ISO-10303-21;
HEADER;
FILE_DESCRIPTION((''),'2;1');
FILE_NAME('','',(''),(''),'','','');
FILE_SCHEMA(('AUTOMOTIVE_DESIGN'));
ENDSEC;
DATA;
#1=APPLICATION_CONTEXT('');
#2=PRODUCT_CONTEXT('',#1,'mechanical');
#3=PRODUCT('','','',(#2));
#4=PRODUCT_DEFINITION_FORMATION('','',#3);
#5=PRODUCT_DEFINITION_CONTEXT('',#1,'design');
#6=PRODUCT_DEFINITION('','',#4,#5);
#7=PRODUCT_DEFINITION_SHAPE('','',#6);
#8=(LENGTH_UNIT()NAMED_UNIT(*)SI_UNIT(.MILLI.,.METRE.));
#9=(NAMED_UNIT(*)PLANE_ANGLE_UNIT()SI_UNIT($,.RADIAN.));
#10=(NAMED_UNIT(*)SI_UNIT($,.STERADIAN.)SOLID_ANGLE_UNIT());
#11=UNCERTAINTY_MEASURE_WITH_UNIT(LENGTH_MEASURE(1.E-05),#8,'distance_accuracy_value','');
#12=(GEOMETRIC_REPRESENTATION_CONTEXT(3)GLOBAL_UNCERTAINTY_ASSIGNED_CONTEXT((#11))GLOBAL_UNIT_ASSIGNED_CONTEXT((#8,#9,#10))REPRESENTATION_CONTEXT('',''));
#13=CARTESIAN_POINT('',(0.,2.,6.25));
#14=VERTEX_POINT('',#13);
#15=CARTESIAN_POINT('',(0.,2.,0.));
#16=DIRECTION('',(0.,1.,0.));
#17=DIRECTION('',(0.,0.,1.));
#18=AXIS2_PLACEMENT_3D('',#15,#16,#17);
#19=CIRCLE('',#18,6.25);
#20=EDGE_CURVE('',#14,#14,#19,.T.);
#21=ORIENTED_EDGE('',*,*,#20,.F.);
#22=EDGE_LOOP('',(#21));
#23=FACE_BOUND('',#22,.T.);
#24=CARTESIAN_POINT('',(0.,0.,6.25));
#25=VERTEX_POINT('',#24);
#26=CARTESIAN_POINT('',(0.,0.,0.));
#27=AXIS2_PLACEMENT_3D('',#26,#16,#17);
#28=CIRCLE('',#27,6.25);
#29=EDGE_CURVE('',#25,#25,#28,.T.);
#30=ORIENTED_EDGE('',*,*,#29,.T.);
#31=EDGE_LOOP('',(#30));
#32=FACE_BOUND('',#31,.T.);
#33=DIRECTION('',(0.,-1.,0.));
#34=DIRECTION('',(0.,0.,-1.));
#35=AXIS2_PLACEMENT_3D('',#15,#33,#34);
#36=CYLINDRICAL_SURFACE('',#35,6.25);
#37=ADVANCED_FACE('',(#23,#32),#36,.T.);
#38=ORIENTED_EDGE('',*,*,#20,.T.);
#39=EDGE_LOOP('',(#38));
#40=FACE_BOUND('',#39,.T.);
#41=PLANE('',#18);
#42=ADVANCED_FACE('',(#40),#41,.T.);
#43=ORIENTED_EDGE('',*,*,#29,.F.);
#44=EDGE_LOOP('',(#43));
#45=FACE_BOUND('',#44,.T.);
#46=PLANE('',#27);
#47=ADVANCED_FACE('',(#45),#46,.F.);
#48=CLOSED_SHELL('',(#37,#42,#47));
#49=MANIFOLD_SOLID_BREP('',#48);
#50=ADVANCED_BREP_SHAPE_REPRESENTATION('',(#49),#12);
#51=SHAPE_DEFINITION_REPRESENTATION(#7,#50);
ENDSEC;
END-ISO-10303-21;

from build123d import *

# Parameters (mm, degrees)
SKETCH_1_R      = 6.25
EXTRUDE_1_DEPTH = 2


with BuildPart() as part:
    # 草图1 → 凸台-拉伸1 (new body)
    with BuildSketch(Plane(origin=(0, 0, 0), x_dir=(1, 0, 0), z_dir=(0, 1, 0))):
        with Locations(Location((0, 0, 0), (0, 0, 270))):  # turned: the seam where the file's is
            Circle(SKETCH_1_R)
    extrude(amount=EXTRUDE_1_DEPTH)


solid = part.part
